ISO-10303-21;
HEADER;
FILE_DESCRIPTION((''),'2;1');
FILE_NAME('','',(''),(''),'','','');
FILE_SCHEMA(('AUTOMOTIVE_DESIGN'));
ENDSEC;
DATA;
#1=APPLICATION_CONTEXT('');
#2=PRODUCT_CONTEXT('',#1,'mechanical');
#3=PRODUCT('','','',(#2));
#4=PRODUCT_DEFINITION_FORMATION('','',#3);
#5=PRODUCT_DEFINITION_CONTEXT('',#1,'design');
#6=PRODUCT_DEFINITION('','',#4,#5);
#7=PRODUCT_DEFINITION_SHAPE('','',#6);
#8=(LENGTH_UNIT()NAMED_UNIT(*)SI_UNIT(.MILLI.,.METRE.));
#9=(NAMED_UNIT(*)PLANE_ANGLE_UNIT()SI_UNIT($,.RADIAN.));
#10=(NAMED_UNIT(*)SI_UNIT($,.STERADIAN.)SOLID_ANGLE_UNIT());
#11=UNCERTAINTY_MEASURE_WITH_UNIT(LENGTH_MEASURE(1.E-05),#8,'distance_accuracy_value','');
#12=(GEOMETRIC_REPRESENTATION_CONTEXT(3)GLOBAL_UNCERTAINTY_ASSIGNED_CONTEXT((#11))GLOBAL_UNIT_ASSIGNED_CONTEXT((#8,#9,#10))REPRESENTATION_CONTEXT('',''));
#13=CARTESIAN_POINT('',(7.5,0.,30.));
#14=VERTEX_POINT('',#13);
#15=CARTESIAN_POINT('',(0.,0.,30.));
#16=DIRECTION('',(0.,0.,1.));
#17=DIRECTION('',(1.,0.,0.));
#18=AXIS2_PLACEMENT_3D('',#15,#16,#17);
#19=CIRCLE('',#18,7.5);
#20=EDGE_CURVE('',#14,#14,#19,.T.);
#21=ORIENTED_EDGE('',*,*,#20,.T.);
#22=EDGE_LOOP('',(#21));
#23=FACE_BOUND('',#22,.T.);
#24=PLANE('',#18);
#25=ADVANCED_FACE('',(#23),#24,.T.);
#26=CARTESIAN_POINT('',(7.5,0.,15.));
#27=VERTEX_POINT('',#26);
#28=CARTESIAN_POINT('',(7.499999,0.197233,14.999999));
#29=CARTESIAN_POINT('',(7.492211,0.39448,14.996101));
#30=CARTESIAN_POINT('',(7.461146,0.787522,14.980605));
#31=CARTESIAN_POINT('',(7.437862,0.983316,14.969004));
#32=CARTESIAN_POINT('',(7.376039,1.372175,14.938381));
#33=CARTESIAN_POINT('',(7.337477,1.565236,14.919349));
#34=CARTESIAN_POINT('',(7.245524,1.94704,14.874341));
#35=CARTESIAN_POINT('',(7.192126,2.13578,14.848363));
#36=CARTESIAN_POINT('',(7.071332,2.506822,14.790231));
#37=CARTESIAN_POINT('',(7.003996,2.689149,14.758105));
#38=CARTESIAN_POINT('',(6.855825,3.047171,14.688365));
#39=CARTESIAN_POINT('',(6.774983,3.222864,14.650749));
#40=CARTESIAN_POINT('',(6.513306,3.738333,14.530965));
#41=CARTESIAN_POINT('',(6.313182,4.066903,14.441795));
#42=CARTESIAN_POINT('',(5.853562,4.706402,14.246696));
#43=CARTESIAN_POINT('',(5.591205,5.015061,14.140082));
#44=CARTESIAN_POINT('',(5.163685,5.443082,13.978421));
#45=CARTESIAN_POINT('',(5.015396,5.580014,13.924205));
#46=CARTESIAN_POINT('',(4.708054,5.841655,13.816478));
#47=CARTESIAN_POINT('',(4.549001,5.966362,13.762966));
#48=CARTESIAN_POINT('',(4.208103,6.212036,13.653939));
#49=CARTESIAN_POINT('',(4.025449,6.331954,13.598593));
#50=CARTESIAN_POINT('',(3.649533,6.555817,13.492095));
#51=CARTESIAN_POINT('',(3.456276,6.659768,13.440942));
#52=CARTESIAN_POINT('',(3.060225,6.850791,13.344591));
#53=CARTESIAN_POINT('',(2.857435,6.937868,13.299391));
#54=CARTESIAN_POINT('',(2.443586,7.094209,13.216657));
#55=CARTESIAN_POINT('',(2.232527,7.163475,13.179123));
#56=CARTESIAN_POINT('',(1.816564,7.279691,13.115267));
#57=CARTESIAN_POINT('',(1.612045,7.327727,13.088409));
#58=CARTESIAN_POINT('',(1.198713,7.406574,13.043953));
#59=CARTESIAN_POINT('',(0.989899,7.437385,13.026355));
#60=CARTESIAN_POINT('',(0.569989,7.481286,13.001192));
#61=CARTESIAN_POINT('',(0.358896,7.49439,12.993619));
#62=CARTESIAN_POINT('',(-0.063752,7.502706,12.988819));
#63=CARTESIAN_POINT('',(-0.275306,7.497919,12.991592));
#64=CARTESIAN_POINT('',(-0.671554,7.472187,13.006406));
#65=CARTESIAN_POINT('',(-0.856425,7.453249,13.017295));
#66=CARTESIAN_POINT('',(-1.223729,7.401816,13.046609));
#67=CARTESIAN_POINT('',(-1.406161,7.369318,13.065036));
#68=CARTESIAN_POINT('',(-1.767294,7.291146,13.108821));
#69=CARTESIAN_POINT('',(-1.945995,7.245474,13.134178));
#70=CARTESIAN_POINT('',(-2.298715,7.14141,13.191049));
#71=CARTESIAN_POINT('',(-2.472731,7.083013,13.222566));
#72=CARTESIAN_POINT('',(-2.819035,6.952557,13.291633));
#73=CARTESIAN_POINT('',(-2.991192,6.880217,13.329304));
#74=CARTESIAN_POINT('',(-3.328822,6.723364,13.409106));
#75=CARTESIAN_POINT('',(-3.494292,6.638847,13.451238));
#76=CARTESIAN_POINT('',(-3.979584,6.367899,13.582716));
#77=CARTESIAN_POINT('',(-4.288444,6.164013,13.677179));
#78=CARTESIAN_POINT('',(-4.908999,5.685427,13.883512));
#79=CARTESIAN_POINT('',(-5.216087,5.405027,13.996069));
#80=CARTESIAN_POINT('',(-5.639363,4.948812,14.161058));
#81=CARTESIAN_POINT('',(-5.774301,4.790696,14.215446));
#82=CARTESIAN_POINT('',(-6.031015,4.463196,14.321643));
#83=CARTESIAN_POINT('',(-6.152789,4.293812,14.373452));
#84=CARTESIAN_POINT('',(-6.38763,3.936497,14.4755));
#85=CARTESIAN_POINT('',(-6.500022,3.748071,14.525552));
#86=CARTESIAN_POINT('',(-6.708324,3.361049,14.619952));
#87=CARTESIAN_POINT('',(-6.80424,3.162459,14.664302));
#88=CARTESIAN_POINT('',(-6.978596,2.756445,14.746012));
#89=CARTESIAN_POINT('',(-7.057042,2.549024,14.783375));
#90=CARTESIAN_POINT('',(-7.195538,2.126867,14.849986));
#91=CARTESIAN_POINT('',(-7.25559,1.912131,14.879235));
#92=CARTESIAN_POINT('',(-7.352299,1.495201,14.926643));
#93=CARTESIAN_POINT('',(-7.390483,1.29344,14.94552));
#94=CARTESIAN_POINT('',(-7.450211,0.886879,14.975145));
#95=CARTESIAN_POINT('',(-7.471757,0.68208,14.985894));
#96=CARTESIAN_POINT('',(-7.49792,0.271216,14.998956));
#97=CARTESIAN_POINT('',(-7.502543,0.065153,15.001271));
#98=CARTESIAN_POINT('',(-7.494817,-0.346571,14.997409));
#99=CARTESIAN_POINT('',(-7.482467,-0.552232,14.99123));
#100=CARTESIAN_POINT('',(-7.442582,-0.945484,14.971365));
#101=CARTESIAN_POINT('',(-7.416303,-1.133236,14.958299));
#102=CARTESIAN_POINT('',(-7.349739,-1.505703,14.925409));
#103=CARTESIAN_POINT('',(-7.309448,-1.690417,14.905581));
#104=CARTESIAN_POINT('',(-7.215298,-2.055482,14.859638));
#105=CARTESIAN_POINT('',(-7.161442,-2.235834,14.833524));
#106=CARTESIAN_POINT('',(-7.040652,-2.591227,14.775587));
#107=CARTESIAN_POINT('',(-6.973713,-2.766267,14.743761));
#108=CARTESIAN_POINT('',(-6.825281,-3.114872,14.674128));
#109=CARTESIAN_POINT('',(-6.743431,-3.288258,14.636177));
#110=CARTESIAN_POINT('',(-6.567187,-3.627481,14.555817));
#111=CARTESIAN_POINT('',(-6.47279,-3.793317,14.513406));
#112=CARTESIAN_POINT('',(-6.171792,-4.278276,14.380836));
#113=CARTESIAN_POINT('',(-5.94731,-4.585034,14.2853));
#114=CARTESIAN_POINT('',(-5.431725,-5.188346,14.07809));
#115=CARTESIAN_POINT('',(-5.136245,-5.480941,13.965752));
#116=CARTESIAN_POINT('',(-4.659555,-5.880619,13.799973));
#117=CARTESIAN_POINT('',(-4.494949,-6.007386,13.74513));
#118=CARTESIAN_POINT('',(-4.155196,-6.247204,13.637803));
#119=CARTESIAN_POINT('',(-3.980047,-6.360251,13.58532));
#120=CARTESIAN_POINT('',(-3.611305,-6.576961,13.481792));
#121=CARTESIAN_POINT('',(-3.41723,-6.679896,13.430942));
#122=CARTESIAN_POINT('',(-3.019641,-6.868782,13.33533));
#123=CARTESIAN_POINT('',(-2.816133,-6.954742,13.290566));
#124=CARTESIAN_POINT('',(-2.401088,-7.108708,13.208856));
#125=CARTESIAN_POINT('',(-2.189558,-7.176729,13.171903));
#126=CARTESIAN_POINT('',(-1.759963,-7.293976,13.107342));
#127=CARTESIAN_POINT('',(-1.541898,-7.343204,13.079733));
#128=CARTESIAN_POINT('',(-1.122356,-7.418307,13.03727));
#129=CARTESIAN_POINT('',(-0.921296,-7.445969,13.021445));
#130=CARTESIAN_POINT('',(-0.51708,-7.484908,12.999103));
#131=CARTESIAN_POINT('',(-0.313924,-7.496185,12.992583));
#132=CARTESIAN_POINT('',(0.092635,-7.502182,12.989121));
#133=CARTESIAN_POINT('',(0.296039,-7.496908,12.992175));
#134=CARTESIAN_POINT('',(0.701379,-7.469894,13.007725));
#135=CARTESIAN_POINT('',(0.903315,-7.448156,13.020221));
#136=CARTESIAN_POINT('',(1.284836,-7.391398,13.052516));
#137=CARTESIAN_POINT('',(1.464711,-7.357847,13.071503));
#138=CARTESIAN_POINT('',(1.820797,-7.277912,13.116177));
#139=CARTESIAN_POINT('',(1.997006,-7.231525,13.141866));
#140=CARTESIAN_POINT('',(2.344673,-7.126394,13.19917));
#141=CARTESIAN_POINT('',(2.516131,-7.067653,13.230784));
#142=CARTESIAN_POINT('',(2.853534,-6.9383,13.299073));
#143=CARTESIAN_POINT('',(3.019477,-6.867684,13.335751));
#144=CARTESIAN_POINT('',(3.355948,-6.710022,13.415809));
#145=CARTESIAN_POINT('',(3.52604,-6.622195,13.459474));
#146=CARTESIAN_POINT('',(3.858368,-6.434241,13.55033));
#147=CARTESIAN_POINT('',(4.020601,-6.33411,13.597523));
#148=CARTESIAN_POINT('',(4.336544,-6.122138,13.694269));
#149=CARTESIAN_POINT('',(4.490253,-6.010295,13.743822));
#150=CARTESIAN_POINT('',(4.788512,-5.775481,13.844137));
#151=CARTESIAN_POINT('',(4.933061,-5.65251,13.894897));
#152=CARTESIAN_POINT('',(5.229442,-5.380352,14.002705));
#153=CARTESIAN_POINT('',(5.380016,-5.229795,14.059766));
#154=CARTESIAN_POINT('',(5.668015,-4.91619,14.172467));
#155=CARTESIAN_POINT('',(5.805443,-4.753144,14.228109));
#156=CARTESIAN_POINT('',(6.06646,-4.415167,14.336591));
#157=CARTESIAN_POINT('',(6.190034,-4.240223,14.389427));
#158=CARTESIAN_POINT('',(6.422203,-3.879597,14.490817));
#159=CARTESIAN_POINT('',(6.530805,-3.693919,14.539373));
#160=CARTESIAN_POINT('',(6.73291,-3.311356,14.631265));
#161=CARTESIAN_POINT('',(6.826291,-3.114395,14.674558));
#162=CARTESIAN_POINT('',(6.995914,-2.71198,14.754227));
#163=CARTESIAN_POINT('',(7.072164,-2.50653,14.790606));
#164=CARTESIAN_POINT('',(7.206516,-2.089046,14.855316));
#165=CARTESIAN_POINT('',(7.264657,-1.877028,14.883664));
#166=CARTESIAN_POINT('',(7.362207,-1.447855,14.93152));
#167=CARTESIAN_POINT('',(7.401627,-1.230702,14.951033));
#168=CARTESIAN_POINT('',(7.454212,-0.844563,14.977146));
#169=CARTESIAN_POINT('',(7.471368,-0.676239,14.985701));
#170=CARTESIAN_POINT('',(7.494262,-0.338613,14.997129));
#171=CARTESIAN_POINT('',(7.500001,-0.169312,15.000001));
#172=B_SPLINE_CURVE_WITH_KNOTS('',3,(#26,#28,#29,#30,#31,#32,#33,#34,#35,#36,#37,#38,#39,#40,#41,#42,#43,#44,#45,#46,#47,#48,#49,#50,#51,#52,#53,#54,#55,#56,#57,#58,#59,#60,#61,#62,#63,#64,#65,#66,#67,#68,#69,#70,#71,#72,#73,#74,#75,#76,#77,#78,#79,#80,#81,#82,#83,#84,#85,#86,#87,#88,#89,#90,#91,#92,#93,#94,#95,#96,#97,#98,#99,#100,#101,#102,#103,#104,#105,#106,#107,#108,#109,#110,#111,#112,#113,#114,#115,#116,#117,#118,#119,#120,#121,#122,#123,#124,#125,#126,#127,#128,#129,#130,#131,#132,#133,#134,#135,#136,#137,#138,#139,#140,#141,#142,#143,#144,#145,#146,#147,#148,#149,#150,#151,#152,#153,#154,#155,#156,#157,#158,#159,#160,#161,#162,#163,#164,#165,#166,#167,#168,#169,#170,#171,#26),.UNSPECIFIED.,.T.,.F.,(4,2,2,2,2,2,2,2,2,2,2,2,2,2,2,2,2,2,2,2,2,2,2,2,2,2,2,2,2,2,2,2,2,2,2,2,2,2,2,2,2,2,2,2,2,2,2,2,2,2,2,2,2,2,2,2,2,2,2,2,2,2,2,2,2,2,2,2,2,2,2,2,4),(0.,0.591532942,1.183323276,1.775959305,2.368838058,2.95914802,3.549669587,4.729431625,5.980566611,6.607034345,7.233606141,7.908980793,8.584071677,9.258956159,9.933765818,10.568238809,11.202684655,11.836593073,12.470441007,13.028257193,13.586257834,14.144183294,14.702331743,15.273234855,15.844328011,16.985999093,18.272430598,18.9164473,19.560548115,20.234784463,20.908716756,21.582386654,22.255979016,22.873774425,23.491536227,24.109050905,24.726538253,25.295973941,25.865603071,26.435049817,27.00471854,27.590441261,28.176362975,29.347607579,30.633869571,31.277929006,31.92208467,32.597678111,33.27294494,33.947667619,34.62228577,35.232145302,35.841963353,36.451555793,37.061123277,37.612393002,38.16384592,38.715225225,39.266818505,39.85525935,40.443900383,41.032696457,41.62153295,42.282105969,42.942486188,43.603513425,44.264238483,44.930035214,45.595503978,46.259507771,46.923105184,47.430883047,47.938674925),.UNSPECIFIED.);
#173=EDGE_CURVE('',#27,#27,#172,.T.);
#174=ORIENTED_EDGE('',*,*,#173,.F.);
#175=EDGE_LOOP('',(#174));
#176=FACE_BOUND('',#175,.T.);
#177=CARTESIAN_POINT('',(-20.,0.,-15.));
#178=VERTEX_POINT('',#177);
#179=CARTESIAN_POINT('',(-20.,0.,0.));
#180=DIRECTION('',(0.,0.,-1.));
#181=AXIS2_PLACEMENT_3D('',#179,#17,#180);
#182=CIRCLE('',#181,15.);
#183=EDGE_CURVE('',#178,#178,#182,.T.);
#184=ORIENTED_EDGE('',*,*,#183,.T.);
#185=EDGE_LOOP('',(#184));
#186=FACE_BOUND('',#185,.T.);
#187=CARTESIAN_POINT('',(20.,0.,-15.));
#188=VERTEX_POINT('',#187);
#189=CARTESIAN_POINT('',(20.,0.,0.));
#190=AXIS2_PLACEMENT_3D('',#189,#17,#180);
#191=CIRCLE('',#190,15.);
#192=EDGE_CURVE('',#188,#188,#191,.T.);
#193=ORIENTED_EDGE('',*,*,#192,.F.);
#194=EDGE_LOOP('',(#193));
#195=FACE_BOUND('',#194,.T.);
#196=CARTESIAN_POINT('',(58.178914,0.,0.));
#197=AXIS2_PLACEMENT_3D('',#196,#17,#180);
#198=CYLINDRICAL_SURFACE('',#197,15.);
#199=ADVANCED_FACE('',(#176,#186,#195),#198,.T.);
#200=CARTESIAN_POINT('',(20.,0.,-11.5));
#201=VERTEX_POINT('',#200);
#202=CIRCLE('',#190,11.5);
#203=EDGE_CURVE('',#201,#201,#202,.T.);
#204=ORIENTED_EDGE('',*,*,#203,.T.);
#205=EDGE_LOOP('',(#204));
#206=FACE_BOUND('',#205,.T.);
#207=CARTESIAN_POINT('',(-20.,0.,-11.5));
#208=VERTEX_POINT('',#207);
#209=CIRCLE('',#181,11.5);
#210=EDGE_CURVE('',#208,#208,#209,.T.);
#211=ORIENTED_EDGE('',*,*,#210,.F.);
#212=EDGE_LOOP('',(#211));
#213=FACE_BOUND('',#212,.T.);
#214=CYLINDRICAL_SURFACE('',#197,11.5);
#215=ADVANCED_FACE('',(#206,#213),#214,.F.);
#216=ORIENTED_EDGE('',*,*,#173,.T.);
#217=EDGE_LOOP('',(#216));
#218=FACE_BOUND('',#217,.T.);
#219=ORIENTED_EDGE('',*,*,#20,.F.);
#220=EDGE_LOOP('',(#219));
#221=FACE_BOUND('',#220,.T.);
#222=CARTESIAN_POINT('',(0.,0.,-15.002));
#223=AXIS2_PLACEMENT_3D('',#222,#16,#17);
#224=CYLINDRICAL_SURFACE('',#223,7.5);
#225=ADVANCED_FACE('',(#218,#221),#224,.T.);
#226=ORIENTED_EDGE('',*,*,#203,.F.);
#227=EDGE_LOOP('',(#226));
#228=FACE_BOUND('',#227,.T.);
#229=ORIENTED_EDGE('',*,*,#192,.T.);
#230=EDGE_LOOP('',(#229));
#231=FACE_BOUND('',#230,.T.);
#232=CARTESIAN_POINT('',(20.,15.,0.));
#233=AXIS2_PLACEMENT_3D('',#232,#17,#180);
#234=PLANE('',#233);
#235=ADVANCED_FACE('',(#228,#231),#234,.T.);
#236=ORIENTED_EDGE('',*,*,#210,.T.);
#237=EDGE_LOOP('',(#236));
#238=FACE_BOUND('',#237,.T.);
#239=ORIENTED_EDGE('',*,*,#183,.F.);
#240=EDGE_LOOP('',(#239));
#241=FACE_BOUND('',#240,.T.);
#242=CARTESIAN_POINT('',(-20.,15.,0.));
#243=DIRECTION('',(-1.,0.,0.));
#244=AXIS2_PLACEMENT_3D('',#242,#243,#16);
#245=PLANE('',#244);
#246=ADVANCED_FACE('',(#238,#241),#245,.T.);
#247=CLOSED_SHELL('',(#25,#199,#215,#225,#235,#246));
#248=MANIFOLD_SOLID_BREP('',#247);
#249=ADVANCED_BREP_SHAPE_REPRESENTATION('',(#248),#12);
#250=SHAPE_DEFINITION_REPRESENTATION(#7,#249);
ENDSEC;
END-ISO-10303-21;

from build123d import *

# Parameters (mm, degrees)
SKETCH1_W                       = 40
SKETCH1_H                       = 3.5
SKETCH3_R                       = 7.5
BOSS_EXTRUDE1_DEPTH             = 10
BOSS_EXTRUDE1_DIRECTION_2_REACH = 45.012


with BuildPart() as part:
    # Sketch1 → Revolve1 (revolve)
    with BuildSketch(Plane.XY, mode=Mode.PRIVATE) as revolve1_sk:
        with Locations((0, 13.25)):
            Rectangle(SKETCH1_W, SKETCH1_H)
    revolve(revolve1_sk.sketch.rotate(Axis((58.178913738, 0, 0), (-1, 0, 0)), 90), axis=Axis((58.178913738, 0, 0), (-1, 0, 0)))

    # Sketch3 → Boss-Extrude1 (add)
    with BuildSketch(Plane.XY.offset(20)):
        Circle(SKETCH3_R)
    extrude(amount=BOSS_EXTRUDE1_DEPTH)

    # Sketch3 → Boss-Extrude1 direction 2 (add, up to next)
    with BuildSketch(Plane.XY.offset(20), mode=Mode.PRIVATE) as boss_extrude1_direction_2_sk1:
        Circle(SKETCH3_R)
    boss_extrude1_direction_2_tool1 = extrude(boss_extrude1_direction_2_sk1.sketch, amount=-BOSS_EXTRUDE1_DIRECTION_2_REACH, mode=Mode.PRIVATE) - part.part
    add(boss_extrude1_direction_2_tool1.solids().sort_by_distance((0, 0, 20))[0])


solid = part.part
